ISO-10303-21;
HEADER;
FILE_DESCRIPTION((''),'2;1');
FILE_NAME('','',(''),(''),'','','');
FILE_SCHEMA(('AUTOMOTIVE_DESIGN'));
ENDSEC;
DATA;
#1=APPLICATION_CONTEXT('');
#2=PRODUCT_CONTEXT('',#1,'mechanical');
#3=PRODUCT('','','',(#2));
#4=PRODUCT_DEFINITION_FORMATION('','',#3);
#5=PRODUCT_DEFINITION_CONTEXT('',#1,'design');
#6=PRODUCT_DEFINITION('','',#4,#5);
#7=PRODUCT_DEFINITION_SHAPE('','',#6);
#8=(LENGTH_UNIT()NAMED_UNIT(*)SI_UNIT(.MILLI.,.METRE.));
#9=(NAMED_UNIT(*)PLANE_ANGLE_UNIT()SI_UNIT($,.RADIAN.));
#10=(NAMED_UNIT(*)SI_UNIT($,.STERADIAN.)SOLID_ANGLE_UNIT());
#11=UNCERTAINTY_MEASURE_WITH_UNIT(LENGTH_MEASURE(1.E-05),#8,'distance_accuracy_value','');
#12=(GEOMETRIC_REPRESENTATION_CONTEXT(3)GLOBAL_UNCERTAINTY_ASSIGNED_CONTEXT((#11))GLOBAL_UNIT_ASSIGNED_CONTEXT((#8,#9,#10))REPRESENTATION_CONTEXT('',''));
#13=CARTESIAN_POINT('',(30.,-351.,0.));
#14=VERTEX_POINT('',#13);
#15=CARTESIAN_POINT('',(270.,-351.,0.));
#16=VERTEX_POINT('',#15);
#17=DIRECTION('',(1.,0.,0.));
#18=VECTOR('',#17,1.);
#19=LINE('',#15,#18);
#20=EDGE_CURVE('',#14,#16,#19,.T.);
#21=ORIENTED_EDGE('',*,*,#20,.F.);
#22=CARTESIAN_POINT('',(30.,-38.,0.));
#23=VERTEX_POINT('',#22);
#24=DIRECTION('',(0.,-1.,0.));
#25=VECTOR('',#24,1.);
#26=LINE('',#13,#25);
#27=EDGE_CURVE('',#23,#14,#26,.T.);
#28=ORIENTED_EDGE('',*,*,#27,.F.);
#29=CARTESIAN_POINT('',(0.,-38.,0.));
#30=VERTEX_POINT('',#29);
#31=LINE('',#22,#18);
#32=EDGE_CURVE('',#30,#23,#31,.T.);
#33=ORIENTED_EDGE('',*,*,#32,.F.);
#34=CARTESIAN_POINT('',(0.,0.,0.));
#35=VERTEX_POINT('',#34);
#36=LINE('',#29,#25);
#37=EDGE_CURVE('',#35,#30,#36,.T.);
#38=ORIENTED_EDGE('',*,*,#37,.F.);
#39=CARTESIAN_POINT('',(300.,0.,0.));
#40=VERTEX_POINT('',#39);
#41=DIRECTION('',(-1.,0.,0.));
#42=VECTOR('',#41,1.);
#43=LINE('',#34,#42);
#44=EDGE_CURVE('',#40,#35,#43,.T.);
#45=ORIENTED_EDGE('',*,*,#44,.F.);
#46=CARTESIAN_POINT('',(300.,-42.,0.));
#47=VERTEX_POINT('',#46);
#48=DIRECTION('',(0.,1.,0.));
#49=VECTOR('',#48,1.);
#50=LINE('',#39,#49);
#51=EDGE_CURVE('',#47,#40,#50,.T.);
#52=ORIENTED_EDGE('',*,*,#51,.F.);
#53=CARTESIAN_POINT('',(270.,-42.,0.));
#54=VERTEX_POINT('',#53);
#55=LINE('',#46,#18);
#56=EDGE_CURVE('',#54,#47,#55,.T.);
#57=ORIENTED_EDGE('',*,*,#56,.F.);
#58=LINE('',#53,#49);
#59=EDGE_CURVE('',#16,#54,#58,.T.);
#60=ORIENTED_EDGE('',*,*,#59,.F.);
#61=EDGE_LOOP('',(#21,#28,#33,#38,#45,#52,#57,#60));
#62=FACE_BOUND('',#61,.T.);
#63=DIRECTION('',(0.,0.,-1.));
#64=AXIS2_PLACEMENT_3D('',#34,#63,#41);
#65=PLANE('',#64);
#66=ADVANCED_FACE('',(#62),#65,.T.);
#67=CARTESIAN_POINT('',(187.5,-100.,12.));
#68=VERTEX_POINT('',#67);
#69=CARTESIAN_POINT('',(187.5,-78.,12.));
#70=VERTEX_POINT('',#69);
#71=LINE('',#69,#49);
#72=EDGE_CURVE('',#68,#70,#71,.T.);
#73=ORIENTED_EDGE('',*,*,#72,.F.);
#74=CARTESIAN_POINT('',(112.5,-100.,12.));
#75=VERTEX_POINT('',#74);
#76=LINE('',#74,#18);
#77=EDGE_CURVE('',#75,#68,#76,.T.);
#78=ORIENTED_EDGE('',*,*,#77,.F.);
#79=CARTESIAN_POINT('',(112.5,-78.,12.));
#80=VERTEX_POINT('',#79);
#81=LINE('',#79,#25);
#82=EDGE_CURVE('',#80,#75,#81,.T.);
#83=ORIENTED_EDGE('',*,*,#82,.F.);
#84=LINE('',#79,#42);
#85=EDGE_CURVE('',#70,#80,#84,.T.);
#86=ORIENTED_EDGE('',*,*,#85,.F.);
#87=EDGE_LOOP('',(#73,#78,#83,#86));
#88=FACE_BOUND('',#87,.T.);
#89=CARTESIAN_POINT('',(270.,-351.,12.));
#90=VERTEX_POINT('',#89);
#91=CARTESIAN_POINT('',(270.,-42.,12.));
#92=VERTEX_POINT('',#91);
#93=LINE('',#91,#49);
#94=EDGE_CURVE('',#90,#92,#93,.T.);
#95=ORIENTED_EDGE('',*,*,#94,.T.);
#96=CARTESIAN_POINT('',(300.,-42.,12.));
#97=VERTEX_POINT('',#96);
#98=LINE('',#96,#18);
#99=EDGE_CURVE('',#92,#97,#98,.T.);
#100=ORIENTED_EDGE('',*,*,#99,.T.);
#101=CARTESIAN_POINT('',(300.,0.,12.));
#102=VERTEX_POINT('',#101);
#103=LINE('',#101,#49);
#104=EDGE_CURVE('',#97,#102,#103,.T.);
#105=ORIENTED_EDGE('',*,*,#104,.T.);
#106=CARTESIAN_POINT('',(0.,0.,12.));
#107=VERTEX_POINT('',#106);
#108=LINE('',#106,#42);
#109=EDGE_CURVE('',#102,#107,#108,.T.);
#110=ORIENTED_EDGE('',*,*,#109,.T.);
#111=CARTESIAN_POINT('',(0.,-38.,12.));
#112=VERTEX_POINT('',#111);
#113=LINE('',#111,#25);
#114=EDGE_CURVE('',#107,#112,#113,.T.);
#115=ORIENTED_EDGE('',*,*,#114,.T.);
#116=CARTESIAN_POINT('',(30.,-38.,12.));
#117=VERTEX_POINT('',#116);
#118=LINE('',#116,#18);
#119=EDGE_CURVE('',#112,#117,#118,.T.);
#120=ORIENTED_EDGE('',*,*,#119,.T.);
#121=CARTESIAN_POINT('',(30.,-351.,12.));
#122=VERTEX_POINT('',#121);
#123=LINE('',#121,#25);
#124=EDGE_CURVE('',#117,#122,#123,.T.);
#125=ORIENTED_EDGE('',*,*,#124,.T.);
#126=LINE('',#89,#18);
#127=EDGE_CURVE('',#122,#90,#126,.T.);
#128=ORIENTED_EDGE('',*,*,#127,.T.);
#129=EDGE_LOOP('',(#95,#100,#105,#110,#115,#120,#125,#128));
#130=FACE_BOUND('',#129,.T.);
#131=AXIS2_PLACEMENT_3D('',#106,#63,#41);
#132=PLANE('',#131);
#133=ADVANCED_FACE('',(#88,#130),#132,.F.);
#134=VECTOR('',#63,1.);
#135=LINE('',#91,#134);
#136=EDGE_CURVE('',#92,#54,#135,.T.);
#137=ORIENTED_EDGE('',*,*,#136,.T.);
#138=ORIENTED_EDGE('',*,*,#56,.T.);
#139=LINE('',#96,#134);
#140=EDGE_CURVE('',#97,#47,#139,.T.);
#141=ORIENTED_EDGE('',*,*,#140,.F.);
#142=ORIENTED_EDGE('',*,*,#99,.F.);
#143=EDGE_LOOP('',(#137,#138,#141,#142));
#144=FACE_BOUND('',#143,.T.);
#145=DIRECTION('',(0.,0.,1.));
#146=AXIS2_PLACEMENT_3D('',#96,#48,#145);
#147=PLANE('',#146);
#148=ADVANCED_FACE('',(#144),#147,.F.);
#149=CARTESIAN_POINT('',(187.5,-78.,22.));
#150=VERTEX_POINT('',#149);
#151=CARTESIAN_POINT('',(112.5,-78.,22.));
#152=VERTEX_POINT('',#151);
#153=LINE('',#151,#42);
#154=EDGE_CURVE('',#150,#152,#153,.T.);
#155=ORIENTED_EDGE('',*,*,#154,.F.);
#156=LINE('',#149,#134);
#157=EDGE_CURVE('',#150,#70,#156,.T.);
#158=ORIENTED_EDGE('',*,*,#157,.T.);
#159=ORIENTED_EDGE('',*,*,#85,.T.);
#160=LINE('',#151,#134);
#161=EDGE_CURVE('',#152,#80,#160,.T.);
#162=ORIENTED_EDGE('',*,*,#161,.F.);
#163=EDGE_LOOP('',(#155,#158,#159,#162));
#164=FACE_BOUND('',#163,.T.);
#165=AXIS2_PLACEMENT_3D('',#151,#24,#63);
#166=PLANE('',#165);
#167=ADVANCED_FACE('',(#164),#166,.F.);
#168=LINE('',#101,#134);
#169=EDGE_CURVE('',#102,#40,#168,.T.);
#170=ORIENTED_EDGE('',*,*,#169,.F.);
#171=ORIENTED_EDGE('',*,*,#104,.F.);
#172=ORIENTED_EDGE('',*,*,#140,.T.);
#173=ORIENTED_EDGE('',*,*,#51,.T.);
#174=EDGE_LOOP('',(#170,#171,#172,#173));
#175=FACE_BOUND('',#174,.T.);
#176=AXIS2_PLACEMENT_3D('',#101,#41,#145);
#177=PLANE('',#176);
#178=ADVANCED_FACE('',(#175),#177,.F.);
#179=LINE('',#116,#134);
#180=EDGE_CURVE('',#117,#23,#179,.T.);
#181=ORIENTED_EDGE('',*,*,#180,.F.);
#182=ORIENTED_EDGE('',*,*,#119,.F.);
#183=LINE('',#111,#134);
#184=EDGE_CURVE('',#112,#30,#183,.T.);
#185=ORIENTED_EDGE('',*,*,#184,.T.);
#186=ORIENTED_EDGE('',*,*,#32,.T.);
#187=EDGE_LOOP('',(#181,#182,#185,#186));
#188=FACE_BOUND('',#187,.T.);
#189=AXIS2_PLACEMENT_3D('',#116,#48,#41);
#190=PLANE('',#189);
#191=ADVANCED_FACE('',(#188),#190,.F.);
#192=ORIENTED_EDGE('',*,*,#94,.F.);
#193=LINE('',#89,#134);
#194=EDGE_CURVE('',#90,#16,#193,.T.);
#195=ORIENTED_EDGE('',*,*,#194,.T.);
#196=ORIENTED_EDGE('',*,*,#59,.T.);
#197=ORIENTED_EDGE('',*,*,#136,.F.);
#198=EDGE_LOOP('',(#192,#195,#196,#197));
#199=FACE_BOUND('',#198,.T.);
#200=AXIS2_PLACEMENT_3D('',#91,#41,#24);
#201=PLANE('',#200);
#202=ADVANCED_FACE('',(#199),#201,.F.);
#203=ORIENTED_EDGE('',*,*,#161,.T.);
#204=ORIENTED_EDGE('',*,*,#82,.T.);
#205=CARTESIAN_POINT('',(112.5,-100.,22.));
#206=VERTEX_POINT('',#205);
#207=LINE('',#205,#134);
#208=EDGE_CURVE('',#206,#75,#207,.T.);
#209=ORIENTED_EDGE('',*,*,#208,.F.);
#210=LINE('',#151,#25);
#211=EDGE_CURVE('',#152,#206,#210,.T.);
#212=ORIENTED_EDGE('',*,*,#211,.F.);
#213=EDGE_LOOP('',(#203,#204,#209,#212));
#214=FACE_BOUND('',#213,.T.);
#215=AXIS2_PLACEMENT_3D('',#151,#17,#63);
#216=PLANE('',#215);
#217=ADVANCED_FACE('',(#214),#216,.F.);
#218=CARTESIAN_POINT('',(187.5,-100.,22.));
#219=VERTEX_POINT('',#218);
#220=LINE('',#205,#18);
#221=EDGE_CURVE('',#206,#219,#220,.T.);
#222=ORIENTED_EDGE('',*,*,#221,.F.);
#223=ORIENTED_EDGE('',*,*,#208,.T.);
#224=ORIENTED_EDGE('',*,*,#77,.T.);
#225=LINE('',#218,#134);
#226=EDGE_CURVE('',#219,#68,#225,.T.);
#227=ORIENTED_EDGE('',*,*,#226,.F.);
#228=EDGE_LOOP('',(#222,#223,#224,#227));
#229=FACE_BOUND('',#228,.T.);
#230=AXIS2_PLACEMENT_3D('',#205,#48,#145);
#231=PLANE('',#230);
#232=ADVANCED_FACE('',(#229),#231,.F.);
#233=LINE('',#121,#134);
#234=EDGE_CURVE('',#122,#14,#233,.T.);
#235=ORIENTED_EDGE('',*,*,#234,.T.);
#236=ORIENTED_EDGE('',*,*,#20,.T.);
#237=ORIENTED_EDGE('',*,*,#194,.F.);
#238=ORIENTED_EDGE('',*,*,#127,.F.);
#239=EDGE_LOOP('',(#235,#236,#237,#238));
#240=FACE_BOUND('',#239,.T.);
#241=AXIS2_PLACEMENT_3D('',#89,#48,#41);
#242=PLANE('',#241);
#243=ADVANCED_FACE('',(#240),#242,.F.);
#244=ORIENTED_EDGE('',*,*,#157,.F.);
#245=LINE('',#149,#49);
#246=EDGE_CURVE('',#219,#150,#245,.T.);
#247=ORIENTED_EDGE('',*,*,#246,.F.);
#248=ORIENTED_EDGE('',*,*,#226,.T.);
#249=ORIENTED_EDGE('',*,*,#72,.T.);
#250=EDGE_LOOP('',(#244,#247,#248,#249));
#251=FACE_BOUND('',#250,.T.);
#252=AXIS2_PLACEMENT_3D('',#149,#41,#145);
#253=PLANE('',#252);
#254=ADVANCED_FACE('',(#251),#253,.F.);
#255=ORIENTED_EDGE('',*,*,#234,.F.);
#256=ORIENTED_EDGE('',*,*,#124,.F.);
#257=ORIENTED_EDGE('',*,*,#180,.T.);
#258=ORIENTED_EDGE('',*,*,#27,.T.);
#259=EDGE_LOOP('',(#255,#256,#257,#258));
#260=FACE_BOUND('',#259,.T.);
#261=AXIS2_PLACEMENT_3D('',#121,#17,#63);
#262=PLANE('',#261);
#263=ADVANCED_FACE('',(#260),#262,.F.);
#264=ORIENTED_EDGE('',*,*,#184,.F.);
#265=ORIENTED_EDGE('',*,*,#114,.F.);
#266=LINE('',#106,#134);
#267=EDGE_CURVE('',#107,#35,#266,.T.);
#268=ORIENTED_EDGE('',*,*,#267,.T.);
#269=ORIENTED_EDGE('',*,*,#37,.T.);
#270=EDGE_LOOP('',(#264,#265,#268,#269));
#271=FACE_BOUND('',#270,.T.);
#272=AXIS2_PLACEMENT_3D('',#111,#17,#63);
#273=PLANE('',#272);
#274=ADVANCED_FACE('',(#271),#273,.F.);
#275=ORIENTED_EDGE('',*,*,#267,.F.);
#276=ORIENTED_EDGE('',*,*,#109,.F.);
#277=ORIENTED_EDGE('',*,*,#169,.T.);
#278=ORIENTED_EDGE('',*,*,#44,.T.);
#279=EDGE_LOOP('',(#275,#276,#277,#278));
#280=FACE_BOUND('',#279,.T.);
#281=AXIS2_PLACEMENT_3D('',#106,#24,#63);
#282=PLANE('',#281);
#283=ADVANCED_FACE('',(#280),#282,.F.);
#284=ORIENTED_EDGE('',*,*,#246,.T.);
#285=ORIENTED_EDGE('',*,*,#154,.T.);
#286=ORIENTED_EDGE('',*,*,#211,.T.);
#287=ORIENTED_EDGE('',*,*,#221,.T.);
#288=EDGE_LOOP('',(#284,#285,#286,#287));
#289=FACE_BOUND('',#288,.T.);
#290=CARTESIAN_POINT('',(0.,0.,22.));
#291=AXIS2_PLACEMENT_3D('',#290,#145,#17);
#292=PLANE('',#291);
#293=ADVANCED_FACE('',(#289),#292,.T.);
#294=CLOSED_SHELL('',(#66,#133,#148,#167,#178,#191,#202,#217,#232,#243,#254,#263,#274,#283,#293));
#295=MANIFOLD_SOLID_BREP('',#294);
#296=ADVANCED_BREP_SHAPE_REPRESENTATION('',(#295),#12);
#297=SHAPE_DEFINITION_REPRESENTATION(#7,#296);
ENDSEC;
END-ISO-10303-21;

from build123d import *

# Parameters (mm, degrees)
BOSS_EXTRUDE1_DEPTH = 12
SKETCH2_W           = 75
SKETCH2_H           = 22
BOSS_EXTRUDE2_DEPTH = 10


with BuildPart() as part:
    # Sketch1 → Boss-Extrude1 (new body)
    with BuildSketch(Plane.XY):
        Polygon((0, 0), (300, 0), (300, -42), (270, -42), (270, -351), (30, -351), (30, -38), (0, -38), align=None)
    extrude(amount=BOSS_EXTRUDE1_DEPTH)

    # Sketch2 → Boss-Extrude2 (add)
    with BuildSketch(Plane.XY.offset(12)):
        with Locations((150, -89)):
            Rectangle(SKETCH2_W, SKETCH2_H)
    extrude(amount=BOSS_EXTRUDE2_DEPTH)


solid = part.part
